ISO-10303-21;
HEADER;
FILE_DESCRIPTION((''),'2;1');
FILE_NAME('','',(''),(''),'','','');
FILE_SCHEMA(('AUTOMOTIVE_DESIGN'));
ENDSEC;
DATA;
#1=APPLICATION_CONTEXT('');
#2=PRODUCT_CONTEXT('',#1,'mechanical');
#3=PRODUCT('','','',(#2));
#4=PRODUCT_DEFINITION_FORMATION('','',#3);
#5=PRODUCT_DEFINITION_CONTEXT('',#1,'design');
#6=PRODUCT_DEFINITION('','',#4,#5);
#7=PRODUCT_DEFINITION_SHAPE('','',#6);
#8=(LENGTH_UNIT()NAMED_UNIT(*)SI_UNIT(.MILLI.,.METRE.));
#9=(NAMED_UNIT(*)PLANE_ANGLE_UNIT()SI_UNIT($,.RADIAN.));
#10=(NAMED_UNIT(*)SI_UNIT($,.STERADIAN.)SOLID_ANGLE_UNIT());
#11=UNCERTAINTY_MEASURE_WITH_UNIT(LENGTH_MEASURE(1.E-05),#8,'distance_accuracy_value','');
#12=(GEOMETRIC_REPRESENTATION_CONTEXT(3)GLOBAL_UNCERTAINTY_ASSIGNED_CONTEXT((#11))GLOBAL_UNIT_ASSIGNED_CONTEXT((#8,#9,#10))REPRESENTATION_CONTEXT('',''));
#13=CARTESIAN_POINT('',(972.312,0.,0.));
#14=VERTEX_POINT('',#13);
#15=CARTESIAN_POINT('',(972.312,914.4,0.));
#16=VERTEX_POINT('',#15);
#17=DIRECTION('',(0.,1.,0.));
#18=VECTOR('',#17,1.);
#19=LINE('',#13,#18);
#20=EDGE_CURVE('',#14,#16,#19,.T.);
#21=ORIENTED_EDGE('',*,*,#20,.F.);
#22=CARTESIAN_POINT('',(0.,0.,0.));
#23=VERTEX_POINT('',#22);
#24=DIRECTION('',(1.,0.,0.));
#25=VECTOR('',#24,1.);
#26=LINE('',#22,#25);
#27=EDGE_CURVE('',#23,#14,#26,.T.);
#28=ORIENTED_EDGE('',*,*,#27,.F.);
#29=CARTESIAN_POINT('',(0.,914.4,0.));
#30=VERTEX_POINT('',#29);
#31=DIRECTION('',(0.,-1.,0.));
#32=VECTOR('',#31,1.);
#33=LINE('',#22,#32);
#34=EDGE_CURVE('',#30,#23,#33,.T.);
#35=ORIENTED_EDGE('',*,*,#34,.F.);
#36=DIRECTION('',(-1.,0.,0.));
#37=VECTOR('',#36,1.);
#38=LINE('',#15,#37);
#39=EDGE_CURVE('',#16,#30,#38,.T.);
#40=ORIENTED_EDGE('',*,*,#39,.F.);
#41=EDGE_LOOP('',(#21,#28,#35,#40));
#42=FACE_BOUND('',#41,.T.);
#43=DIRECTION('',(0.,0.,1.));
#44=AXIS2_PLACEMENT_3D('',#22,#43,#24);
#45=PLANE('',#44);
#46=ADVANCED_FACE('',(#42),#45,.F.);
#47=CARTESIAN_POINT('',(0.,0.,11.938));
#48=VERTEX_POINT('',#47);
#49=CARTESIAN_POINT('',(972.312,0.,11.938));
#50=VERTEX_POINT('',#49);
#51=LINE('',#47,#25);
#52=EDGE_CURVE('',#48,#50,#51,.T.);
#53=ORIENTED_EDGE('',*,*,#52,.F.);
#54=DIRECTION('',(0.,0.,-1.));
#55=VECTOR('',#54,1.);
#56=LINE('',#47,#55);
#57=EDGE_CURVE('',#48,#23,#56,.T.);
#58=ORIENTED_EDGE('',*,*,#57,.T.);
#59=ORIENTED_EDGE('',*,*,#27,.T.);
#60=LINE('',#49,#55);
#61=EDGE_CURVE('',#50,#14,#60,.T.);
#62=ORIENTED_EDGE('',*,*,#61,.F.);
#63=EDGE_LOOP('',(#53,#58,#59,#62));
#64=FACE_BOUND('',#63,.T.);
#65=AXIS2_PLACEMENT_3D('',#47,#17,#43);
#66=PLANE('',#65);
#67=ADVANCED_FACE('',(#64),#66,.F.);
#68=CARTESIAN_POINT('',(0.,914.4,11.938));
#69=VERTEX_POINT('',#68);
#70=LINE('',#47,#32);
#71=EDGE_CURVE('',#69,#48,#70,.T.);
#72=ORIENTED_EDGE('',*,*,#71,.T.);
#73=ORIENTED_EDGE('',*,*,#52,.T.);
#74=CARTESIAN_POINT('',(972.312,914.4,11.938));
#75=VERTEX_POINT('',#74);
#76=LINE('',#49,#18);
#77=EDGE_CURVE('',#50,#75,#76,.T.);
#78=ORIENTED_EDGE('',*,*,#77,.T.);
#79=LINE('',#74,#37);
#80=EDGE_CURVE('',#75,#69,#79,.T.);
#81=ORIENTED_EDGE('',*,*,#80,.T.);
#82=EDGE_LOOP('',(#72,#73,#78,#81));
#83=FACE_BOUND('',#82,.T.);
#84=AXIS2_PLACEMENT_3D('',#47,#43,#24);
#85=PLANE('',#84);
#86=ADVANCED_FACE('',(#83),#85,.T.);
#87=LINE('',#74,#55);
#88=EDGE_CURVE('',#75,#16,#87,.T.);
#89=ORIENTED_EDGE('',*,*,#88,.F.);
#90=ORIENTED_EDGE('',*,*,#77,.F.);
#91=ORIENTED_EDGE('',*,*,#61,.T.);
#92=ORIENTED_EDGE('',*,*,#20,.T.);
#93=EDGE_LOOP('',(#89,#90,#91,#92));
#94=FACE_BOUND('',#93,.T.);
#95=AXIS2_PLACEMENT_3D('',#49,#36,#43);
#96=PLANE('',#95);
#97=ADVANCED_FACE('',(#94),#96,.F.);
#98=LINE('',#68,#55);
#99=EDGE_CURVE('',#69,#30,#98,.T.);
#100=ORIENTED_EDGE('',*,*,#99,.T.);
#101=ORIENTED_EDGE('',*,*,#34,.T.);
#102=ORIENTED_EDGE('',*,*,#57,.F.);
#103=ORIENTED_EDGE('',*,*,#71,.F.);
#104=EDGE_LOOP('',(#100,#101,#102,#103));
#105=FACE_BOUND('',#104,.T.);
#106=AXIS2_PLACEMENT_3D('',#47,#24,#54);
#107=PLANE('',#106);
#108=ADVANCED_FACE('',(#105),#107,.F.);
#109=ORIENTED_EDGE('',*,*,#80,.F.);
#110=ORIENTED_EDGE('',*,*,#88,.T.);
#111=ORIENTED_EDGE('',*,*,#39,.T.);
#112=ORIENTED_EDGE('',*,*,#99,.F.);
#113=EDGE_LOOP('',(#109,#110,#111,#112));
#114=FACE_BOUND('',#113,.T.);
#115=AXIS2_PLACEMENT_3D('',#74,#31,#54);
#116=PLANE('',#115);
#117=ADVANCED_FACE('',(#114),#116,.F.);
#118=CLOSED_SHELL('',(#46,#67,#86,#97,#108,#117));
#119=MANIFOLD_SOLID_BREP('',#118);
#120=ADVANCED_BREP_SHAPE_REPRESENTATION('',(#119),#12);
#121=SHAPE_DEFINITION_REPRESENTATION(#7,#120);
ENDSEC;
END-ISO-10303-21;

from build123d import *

# Parameters (mm, degrees)
SKETCH1_W           = 972.312
SKETCH1_H           = 914.4
BOSS_EXTRUDE1_DEPTH = 11.938


with BuildPart() as part:
    # Sketch1 → Boss-Extrude1 (new body)
    with BuildSketch(Plane.XY):
        with Locations((486.156, 457.2)):
            Rectangle(SKETCH1_W, SKETCH1_H)
    extrude(amount=BOSS_EXTRUDE1_DEPTH)


solid = part.part
